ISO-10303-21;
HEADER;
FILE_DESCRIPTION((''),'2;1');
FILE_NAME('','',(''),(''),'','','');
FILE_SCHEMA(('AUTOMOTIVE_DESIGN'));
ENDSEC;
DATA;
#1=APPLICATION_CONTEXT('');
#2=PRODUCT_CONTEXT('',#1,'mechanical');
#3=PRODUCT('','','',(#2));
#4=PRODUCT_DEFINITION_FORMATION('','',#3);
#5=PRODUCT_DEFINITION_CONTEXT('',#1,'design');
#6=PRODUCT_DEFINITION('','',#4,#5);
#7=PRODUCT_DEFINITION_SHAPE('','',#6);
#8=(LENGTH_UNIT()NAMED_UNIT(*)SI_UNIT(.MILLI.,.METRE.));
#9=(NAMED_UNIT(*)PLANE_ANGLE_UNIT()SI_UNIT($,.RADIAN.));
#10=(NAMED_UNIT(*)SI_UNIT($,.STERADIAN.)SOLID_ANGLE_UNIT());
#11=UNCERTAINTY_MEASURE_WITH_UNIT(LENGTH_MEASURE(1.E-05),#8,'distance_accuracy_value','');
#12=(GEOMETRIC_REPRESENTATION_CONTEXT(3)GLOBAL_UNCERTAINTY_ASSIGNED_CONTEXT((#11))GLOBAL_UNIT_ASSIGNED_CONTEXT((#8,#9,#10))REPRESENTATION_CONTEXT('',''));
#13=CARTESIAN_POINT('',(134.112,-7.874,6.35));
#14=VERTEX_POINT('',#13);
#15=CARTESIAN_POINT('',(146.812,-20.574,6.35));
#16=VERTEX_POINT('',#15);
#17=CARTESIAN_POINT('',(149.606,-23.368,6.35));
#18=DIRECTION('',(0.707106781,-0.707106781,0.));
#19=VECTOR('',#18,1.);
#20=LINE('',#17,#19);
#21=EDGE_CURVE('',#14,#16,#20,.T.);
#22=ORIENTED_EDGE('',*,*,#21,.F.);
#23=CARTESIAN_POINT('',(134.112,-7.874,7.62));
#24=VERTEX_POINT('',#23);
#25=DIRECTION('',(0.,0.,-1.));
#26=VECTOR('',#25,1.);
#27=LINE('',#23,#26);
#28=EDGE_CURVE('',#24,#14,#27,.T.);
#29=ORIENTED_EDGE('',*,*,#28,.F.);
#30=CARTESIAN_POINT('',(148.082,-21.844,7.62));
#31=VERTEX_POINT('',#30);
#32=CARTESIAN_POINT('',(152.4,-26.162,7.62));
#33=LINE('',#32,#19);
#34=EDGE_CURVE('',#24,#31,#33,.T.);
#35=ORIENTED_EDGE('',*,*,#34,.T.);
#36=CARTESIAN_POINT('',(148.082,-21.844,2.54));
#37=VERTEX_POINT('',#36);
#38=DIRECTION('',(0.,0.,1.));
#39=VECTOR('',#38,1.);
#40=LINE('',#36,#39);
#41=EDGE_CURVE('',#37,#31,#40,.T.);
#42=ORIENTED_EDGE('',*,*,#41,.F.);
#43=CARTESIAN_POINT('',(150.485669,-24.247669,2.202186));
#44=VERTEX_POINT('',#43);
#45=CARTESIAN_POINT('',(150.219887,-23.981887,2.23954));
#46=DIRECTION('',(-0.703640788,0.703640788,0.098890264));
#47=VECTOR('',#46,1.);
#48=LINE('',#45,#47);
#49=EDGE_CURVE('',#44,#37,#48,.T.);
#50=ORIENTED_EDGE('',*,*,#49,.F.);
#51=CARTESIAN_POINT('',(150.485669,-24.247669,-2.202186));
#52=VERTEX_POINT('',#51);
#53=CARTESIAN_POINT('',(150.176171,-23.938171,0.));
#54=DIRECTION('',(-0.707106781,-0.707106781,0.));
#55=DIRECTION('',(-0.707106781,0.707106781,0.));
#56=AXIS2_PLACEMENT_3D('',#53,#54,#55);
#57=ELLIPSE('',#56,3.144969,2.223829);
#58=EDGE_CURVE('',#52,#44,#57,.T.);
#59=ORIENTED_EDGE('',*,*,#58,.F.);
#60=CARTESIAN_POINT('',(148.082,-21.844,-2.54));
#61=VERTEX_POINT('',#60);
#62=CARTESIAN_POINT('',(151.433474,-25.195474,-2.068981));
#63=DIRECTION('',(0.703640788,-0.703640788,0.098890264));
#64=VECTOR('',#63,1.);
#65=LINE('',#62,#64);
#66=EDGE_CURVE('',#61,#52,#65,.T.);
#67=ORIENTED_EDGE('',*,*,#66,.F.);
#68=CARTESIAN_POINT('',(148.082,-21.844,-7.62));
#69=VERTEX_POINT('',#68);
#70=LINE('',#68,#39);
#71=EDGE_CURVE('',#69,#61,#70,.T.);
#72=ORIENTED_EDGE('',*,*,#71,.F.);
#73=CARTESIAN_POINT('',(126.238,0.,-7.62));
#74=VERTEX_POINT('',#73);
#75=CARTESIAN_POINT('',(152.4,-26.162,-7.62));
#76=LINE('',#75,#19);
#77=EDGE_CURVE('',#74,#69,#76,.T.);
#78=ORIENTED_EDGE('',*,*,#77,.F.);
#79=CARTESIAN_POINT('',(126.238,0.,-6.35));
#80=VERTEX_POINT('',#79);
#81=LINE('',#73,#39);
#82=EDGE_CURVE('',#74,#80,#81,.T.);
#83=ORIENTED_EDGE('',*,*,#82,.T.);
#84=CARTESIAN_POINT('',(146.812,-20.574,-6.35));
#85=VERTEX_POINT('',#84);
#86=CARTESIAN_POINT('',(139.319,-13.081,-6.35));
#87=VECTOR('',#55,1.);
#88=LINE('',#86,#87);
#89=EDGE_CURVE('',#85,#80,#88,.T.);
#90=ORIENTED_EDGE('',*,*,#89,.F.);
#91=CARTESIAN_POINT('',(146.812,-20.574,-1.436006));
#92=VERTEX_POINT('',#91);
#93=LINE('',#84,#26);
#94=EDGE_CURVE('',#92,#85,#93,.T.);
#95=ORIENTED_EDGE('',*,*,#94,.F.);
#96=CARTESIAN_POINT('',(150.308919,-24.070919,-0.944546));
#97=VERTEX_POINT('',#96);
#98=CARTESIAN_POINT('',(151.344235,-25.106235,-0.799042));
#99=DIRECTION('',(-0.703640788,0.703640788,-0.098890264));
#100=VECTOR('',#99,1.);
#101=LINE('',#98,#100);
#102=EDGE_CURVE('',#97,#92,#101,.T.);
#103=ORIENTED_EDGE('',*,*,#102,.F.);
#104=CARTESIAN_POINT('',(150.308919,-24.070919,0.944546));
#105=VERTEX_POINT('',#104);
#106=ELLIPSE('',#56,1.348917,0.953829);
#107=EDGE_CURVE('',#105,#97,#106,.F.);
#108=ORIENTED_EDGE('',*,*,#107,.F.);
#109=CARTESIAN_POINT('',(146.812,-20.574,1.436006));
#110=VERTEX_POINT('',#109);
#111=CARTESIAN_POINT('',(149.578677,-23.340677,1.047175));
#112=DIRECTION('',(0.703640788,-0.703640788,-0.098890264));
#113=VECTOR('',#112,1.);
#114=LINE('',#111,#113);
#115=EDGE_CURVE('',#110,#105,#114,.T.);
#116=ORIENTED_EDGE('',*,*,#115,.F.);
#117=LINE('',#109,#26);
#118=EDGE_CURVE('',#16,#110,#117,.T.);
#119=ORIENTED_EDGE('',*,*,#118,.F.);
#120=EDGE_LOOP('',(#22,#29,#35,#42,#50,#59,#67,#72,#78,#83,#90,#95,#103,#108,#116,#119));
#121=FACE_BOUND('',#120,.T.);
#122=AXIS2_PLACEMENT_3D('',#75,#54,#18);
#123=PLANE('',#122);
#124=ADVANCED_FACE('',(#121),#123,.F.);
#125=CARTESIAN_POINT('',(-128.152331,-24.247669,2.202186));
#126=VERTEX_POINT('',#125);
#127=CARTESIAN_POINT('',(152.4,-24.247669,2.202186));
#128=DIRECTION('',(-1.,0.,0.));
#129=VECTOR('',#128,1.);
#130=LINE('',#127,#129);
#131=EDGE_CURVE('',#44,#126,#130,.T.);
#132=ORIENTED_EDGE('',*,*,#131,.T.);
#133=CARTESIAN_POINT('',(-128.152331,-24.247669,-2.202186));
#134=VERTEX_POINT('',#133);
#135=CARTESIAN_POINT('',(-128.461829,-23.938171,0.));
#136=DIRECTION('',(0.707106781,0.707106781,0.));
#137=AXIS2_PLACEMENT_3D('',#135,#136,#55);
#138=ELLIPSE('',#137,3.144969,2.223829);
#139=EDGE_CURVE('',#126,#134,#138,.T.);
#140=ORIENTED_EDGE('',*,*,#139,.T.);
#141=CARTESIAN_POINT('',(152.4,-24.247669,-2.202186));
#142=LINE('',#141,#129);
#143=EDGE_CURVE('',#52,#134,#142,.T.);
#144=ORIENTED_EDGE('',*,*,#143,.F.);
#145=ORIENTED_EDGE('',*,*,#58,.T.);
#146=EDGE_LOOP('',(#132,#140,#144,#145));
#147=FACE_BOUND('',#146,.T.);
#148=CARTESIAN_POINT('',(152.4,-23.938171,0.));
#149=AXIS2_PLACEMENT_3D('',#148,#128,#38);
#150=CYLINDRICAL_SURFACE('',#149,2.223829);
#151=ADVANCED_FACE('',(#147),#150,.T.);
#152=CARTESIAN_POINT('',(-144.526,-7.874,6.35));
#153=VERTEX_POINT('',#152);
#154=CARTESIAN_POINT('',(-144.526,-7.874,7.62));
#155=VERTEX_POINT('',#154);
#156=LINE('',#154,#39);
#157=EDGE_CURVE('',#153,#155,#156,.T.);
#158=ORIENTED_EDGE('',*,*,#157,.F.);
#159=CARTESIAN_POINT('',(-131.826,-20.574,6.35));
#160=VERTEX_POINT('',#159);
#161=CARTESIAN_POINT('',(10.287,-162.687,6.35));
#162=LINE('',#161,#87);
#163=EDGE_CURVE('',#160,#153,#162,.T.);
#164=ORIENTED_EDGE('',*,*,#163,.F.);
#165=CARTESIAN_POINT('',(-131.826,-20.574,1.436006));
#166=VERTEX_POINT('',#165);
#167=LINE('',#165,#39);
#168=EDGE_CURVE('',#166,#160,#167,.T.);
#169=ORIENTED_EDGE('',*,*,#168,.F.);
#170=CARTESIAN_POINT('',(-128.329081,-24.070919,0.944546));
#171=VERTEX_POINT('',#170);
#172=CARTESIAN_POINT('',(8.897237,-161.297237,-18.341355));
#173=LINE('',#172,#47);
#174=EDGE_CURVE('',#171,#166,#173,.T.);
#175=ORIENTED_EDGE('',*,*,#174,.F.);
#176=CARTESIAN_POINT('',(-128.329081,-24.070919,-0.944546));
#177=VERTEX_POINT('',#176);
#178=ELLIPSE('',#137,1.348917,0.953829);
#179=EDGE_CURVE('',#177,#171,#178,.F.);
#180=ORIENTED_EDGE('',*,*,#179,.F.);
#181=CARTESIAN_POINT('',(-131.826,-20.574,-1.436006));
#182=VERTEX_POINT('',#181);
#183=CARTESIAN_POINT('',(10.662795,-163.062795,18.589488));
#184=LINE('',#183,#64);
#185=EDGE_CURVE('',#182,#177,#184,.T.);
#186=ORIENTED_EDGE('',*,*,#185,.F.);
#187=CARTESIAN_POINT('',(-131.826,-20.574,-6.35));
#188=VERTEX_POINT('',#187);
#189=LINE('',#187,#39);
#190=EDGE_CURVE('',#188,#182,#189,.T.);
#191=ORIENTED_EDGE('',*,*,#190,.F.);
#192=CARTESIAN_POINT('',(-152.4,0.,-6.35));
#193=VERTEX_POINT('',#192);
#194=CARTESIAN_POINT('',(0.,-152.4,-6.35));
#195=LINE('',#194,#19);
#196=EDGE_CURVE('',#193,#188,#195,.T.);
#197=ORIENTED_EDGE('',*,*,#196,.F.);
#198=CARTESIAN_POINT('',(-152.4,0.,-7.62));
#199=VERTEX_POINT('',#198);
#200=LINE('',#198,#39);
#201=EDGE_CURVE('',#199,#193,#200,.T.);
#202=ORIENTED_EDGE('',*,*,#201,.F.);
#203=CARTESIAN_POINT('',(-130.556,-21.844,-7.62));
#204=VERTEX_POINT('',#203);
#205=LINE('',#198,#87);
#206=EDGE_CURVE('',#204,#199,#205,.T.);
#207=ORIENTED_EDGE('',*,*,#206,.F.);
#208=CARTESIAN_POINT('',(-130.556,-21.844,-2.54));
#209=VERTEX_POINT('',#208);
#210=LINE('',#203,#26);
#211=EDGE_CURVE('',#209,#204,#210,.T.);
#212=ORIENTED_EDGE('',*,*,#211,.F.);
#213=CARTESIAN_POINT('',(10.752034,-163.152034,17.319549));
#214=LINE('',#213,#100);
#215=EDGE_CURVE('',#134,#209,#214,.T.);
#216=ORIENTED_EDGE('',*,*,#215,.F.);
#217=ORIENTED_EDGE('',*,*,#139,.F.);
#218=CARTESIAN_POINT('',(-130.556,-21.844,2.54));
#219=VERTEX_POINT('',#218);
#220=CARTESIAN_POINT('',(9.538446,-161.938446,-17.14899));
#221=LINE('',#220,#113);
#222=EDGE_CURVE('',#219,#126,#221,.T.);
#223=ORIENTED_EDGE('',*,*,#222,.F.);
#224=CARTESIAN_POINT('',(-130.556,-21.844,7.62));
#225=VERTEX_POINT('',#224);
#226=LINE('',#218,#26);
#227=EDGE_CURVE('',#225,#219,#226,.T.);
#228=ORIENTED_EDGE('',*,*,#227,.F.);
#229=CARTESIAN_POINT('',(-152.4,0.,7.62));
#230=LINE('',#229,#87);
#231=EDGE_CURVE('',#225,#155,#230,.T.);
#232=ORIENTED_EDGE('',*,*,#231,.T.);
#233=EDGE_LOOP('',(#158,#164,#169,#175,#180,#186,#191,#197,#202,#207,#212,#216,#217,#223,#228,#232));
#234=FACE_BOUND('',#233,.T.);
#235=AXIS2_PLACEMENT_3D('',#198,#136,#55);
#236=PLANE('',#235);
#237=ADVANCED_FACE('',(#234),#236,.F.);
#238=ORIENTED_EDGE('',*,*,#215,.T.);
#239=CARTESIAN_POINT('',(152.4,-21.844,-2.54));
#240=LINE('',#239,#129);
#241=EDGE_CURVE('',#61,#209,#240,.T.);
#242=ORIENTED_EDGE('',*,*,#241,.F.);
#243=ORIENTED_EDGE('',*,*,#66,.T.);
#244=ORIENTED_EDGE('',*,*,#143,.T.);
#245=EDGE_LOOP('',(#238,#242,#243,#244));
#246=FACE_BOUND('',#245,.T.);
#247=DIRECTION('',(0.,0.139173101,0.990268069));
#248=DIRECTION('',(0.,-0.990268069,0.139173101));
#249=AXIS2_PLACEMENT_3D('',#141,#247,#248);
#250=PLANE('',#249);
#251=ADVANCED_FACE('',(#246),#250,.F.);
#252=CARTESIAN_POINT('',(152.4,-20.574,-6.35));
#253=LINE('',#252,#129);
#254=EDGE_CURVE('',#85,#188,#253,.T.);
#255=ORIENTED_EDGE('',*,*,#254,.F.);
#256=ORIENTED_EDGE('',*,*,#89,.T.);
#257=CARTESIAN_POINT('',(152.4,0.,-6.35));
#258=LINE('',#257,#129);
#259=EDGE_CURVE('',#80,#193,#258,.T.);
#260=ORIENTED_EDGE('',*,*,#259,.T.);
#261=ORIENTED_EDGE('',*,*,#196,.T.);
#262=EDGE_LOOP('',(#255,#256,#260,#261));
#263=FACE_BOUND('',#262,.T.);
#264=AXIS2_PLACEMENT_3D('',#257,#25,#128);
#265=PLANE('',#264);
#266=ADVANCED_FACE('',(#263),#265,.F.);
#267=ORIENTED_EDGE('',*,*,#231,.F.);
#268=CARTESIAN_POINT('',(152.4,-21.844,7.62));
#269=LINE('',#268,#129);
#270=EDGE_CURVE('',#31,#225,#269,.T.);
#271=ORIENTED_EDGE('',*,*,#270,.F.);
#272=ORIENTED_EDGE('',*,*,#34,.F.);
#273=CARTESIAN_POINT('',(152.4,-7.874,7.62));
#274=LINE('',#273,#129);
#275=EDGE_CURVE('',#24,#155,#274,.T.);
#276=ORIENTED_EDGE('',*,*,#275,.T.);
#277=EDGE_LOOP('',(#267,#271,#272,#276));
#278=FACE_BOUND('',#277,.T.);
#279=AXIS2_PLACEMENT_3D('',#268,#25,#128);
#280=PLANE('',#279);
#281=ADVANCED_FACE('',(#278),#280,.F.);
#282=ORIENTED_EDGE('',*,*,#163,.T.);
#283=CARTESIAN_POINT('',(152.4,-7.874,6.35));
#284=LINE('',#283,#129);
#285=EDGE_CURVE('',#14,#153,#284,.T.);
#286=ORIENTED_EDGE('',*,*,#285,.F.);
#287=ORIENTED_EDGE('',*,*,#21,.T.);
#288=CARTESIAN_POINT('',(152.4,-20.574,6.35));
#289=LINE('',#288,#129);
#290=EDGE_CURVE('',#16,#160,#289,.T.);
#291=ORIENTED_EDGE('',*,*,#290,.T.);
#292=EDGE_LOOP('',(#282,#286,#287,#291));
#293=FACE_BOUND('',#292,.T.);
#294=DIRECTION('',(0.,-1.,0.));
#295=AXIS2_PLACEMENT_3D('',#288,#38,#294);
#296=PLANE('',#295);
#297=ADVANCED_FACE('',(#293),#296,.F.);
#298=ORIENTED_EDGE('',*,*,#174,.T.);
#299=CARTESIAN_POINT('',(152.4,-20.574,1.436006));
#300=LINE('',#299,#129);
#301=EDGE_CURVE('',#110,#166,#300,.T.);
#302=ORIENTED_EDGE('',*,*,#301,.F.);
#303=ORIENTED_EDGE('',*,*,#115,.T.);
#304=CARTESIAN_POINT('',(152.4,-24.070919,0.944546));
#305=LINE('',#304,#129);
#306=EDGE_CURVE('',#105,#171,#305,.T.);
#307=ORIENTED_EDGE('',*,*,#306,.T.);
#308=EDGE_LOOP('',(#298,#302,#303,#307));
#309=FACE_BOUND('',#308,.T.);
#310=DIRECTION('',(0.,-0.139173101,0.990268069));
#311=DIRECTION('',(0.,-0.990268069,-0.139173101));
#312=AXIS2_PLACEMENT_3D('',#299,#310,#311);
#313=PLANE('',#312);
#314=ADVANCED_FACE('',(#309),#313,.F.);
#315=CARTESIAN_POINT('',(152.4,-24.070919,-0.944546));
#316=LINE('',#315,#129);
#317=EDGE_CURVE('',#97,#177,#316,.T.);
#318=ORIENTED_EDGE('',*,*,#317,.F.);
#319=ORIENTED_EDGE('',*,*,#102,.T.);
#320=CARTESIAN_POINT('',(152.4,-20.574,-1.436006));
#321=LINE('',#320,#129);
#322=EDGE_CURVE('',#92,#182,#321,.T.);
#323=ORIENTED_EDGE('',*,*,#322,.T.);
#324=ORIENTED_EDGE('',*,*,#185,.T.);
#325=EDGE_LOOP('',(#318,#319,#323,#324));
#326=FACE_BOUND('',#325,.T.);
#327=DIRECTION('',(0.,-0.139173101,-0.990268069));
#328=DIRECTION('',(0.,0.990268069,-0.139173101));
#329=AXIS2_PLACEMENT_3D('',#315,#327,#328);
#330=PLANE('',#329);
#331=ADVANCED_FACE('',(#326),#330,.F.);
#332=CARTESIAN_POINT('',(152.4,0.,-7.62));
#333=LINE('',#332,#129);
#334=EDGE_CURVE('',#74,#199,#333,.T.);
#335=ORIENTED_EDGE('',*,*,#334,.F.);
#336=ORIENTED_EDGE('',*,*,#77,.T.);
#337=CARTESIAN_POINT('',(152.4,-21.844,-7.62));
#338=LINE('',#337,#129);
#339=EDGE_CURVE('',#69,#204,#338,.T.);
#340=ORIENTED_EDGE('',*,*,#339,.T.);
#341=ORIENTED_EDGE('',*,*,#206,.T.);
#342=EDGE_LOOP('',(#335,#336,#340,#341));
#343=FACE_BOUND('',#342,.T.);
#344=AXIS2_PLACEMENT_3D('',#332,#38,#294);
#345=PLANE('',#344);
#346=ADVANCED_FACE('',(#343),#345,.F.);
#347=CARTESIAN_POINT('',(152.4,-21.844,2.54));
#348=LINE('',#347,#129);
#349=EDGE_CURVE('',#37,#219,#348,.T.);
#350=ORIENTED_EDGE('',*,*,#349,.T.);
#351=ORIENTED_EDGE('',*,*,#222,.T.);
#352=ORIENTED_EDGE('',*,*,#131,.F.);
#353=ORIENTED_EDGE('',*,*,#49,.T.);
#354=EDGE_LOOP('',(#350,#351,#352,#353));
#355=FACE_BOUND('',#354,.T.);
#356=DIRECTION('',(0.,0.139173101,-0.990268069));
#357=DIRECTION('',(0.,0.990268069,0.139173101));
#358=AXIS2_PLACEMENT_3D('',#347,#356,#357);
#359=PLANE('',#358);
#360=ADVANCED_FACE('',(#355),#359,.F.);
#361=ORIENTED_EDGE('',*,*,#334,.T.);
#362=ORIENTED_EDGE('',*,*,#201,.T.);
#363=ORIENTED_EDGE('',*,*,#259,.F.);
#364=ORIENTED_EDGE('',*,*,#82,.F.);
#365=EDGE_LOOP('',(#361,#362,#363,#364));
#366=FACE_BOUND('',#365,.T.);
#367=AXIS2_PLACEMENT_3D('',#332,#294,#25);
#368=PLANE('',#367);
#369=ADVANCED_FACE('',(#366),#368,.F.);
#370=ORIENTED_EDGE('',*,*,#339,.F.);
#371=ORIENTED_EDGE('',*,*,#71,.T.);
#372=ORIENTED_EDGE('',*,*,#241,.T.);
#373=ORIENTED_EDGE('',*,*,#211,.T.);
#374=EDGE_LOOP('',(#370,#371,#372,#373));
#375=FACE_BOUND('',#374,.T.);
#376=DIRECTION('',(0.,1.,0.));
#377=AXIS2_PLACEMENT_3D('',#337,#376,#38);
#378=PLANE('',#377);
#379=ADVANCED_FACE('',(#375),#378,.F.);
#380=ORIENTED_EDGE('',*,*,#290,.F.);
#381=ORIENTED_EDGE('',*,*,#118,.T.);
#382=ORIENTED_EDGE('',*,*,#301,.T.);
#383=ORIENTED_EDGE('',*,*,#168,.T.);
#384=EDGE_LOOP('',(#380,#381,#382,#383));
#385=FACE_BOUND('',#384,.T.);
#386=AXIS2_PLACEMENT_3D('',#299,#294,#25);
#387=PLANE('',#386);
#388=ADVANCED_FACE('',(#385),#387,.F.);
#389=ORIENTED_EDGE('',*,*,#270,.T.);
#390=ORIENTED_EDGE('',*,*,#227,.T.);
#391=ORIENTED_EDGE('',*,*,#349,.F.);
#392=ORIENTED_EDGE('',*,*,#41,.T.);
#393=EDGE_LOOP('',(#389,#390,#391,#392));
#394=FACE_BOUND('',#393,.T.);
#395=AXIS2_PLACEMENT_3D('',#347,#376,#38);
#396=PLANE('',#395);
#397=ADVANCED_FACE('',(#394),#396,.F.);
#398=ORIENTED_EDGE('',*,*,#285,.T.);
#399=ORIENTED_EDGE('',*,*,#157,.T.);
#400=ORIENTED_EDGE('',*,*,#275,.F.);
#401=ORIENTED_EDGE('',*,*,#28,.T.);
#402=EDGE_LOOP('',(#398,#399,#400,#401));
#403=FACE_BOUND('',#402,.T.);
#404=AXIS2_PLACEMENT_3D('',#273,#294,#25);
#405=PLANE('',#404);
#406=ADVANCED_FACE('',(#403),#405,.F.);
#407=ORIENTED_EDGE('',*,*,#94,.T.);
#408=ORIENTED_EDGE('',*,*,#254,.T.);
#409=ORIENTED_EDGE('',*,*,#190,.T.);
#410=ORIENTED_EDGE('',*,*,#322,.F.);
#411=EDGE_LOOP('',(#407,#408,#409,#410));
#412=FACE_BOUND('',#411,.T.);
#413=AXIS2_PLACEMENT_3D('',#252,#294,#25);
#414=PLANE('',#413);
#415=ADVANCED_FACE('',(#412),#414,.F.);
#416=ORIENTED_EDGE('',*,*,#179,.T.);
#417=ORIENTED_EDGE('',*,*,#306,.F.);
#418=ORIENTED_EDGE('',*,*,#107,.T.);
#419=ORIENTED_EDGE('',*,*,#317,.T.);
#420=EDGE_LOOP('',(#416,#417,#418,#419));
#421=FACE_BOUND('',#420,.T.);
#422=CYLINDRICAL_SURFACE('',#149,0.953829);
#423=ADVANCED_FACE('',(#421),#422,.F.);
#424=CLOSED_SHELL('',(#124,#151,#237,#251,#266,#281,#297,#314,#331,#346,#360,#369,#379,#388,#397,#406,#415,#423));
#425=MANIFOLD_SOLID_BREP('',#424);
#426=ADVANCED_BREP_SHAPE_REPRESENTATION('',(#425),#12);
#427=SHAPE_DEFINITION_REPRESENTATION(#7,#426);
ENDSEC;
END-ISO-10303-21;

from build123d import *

# Parameters (mm, degrees)
BOSS_EXTRUDE1_DEPTH         = 152.4
CUT_FRONT_LEFT_BOTTOM_DEPTH = 16.24
CUT_FRONT_RIGHT_TOP_DEPTH   = 16.24


with BuildPart() as part:
    # Sketch1 → Boss-Extrude1 (new body, symmetric)
    with BuildSketch(Plane(origin=(0, 0, 0), x_dir=(0, 0, -1), z_dir=(1, 0, 0))):
        with BuildLine():
            Line((7.62, 0), (7.62, -21.844))
            Line((7.62, -21.844), (2.54, -21.844))
            Line((2.54, -21.844), (2.202186415, -24.247668555))
            ThreePointArc((2.202186415, -24.247668555), (0, -26.162), (-2.202186415, -24.247668555))
            Line((-2.202186415, -24.247668555), (-2.54, -21.844))
            Line((-2.54, -21.844), (-7.62, -21.844))
            Line((-7.62, -21.844), (-7.62, -7.874))
            Line((-7.62, -7.874), (-6.35, -7.874))
            Line((-6.35, -7.874), (-6.35, -20.574))
            Line((-6.35, -20.574), (-1.436005843, -20.574))
            Line((-1.436005843, -20.574), (-0.944545968, -24.070918717))
            ThreePointArc((-0.944545968, -24.070918717), (0, -24.892), (0.944545968, -24.070918717))
            Line((0.944545968, -24.070918717), (1.436005843, -20.574))
            Line((1.436005843, -20.574), (6.35, -20.574))
            Line((6.35, -20.574), (6.35, 0))
            Line((6.35, 0), (7.62, 0))
        make_face()
    extrude(amount=BOSS_EXTRUDE1_DEPTH, both=True)

    # Sketch12 → Cut-Front-Left-Bottom (cut, through all)
    with BuildSketch(Plane.XY.offset(7.62)):
        Polygon((-152.4, 0), (-126.238, -26.162), (-152.4, -26.162), align=None)
    extrude(amount=-CUT_FRONT_LEFT_BOTTOM_DEPTH, mode=Mode.SUBTRACT)

    # Sketch7 → Cut-Front-Right-Top (cut, through all)
    with BuildSketch(Plane.XY.offset(7.62)):
        Polygon((152.4, -26.162), (126.238, 0), (152.4, 0), align=None)
    extrude(amount=-CUT_FRONT_RIGHT_TOP_DEPTH, mode=Mode.SUBTRACT)


solid = part.part
